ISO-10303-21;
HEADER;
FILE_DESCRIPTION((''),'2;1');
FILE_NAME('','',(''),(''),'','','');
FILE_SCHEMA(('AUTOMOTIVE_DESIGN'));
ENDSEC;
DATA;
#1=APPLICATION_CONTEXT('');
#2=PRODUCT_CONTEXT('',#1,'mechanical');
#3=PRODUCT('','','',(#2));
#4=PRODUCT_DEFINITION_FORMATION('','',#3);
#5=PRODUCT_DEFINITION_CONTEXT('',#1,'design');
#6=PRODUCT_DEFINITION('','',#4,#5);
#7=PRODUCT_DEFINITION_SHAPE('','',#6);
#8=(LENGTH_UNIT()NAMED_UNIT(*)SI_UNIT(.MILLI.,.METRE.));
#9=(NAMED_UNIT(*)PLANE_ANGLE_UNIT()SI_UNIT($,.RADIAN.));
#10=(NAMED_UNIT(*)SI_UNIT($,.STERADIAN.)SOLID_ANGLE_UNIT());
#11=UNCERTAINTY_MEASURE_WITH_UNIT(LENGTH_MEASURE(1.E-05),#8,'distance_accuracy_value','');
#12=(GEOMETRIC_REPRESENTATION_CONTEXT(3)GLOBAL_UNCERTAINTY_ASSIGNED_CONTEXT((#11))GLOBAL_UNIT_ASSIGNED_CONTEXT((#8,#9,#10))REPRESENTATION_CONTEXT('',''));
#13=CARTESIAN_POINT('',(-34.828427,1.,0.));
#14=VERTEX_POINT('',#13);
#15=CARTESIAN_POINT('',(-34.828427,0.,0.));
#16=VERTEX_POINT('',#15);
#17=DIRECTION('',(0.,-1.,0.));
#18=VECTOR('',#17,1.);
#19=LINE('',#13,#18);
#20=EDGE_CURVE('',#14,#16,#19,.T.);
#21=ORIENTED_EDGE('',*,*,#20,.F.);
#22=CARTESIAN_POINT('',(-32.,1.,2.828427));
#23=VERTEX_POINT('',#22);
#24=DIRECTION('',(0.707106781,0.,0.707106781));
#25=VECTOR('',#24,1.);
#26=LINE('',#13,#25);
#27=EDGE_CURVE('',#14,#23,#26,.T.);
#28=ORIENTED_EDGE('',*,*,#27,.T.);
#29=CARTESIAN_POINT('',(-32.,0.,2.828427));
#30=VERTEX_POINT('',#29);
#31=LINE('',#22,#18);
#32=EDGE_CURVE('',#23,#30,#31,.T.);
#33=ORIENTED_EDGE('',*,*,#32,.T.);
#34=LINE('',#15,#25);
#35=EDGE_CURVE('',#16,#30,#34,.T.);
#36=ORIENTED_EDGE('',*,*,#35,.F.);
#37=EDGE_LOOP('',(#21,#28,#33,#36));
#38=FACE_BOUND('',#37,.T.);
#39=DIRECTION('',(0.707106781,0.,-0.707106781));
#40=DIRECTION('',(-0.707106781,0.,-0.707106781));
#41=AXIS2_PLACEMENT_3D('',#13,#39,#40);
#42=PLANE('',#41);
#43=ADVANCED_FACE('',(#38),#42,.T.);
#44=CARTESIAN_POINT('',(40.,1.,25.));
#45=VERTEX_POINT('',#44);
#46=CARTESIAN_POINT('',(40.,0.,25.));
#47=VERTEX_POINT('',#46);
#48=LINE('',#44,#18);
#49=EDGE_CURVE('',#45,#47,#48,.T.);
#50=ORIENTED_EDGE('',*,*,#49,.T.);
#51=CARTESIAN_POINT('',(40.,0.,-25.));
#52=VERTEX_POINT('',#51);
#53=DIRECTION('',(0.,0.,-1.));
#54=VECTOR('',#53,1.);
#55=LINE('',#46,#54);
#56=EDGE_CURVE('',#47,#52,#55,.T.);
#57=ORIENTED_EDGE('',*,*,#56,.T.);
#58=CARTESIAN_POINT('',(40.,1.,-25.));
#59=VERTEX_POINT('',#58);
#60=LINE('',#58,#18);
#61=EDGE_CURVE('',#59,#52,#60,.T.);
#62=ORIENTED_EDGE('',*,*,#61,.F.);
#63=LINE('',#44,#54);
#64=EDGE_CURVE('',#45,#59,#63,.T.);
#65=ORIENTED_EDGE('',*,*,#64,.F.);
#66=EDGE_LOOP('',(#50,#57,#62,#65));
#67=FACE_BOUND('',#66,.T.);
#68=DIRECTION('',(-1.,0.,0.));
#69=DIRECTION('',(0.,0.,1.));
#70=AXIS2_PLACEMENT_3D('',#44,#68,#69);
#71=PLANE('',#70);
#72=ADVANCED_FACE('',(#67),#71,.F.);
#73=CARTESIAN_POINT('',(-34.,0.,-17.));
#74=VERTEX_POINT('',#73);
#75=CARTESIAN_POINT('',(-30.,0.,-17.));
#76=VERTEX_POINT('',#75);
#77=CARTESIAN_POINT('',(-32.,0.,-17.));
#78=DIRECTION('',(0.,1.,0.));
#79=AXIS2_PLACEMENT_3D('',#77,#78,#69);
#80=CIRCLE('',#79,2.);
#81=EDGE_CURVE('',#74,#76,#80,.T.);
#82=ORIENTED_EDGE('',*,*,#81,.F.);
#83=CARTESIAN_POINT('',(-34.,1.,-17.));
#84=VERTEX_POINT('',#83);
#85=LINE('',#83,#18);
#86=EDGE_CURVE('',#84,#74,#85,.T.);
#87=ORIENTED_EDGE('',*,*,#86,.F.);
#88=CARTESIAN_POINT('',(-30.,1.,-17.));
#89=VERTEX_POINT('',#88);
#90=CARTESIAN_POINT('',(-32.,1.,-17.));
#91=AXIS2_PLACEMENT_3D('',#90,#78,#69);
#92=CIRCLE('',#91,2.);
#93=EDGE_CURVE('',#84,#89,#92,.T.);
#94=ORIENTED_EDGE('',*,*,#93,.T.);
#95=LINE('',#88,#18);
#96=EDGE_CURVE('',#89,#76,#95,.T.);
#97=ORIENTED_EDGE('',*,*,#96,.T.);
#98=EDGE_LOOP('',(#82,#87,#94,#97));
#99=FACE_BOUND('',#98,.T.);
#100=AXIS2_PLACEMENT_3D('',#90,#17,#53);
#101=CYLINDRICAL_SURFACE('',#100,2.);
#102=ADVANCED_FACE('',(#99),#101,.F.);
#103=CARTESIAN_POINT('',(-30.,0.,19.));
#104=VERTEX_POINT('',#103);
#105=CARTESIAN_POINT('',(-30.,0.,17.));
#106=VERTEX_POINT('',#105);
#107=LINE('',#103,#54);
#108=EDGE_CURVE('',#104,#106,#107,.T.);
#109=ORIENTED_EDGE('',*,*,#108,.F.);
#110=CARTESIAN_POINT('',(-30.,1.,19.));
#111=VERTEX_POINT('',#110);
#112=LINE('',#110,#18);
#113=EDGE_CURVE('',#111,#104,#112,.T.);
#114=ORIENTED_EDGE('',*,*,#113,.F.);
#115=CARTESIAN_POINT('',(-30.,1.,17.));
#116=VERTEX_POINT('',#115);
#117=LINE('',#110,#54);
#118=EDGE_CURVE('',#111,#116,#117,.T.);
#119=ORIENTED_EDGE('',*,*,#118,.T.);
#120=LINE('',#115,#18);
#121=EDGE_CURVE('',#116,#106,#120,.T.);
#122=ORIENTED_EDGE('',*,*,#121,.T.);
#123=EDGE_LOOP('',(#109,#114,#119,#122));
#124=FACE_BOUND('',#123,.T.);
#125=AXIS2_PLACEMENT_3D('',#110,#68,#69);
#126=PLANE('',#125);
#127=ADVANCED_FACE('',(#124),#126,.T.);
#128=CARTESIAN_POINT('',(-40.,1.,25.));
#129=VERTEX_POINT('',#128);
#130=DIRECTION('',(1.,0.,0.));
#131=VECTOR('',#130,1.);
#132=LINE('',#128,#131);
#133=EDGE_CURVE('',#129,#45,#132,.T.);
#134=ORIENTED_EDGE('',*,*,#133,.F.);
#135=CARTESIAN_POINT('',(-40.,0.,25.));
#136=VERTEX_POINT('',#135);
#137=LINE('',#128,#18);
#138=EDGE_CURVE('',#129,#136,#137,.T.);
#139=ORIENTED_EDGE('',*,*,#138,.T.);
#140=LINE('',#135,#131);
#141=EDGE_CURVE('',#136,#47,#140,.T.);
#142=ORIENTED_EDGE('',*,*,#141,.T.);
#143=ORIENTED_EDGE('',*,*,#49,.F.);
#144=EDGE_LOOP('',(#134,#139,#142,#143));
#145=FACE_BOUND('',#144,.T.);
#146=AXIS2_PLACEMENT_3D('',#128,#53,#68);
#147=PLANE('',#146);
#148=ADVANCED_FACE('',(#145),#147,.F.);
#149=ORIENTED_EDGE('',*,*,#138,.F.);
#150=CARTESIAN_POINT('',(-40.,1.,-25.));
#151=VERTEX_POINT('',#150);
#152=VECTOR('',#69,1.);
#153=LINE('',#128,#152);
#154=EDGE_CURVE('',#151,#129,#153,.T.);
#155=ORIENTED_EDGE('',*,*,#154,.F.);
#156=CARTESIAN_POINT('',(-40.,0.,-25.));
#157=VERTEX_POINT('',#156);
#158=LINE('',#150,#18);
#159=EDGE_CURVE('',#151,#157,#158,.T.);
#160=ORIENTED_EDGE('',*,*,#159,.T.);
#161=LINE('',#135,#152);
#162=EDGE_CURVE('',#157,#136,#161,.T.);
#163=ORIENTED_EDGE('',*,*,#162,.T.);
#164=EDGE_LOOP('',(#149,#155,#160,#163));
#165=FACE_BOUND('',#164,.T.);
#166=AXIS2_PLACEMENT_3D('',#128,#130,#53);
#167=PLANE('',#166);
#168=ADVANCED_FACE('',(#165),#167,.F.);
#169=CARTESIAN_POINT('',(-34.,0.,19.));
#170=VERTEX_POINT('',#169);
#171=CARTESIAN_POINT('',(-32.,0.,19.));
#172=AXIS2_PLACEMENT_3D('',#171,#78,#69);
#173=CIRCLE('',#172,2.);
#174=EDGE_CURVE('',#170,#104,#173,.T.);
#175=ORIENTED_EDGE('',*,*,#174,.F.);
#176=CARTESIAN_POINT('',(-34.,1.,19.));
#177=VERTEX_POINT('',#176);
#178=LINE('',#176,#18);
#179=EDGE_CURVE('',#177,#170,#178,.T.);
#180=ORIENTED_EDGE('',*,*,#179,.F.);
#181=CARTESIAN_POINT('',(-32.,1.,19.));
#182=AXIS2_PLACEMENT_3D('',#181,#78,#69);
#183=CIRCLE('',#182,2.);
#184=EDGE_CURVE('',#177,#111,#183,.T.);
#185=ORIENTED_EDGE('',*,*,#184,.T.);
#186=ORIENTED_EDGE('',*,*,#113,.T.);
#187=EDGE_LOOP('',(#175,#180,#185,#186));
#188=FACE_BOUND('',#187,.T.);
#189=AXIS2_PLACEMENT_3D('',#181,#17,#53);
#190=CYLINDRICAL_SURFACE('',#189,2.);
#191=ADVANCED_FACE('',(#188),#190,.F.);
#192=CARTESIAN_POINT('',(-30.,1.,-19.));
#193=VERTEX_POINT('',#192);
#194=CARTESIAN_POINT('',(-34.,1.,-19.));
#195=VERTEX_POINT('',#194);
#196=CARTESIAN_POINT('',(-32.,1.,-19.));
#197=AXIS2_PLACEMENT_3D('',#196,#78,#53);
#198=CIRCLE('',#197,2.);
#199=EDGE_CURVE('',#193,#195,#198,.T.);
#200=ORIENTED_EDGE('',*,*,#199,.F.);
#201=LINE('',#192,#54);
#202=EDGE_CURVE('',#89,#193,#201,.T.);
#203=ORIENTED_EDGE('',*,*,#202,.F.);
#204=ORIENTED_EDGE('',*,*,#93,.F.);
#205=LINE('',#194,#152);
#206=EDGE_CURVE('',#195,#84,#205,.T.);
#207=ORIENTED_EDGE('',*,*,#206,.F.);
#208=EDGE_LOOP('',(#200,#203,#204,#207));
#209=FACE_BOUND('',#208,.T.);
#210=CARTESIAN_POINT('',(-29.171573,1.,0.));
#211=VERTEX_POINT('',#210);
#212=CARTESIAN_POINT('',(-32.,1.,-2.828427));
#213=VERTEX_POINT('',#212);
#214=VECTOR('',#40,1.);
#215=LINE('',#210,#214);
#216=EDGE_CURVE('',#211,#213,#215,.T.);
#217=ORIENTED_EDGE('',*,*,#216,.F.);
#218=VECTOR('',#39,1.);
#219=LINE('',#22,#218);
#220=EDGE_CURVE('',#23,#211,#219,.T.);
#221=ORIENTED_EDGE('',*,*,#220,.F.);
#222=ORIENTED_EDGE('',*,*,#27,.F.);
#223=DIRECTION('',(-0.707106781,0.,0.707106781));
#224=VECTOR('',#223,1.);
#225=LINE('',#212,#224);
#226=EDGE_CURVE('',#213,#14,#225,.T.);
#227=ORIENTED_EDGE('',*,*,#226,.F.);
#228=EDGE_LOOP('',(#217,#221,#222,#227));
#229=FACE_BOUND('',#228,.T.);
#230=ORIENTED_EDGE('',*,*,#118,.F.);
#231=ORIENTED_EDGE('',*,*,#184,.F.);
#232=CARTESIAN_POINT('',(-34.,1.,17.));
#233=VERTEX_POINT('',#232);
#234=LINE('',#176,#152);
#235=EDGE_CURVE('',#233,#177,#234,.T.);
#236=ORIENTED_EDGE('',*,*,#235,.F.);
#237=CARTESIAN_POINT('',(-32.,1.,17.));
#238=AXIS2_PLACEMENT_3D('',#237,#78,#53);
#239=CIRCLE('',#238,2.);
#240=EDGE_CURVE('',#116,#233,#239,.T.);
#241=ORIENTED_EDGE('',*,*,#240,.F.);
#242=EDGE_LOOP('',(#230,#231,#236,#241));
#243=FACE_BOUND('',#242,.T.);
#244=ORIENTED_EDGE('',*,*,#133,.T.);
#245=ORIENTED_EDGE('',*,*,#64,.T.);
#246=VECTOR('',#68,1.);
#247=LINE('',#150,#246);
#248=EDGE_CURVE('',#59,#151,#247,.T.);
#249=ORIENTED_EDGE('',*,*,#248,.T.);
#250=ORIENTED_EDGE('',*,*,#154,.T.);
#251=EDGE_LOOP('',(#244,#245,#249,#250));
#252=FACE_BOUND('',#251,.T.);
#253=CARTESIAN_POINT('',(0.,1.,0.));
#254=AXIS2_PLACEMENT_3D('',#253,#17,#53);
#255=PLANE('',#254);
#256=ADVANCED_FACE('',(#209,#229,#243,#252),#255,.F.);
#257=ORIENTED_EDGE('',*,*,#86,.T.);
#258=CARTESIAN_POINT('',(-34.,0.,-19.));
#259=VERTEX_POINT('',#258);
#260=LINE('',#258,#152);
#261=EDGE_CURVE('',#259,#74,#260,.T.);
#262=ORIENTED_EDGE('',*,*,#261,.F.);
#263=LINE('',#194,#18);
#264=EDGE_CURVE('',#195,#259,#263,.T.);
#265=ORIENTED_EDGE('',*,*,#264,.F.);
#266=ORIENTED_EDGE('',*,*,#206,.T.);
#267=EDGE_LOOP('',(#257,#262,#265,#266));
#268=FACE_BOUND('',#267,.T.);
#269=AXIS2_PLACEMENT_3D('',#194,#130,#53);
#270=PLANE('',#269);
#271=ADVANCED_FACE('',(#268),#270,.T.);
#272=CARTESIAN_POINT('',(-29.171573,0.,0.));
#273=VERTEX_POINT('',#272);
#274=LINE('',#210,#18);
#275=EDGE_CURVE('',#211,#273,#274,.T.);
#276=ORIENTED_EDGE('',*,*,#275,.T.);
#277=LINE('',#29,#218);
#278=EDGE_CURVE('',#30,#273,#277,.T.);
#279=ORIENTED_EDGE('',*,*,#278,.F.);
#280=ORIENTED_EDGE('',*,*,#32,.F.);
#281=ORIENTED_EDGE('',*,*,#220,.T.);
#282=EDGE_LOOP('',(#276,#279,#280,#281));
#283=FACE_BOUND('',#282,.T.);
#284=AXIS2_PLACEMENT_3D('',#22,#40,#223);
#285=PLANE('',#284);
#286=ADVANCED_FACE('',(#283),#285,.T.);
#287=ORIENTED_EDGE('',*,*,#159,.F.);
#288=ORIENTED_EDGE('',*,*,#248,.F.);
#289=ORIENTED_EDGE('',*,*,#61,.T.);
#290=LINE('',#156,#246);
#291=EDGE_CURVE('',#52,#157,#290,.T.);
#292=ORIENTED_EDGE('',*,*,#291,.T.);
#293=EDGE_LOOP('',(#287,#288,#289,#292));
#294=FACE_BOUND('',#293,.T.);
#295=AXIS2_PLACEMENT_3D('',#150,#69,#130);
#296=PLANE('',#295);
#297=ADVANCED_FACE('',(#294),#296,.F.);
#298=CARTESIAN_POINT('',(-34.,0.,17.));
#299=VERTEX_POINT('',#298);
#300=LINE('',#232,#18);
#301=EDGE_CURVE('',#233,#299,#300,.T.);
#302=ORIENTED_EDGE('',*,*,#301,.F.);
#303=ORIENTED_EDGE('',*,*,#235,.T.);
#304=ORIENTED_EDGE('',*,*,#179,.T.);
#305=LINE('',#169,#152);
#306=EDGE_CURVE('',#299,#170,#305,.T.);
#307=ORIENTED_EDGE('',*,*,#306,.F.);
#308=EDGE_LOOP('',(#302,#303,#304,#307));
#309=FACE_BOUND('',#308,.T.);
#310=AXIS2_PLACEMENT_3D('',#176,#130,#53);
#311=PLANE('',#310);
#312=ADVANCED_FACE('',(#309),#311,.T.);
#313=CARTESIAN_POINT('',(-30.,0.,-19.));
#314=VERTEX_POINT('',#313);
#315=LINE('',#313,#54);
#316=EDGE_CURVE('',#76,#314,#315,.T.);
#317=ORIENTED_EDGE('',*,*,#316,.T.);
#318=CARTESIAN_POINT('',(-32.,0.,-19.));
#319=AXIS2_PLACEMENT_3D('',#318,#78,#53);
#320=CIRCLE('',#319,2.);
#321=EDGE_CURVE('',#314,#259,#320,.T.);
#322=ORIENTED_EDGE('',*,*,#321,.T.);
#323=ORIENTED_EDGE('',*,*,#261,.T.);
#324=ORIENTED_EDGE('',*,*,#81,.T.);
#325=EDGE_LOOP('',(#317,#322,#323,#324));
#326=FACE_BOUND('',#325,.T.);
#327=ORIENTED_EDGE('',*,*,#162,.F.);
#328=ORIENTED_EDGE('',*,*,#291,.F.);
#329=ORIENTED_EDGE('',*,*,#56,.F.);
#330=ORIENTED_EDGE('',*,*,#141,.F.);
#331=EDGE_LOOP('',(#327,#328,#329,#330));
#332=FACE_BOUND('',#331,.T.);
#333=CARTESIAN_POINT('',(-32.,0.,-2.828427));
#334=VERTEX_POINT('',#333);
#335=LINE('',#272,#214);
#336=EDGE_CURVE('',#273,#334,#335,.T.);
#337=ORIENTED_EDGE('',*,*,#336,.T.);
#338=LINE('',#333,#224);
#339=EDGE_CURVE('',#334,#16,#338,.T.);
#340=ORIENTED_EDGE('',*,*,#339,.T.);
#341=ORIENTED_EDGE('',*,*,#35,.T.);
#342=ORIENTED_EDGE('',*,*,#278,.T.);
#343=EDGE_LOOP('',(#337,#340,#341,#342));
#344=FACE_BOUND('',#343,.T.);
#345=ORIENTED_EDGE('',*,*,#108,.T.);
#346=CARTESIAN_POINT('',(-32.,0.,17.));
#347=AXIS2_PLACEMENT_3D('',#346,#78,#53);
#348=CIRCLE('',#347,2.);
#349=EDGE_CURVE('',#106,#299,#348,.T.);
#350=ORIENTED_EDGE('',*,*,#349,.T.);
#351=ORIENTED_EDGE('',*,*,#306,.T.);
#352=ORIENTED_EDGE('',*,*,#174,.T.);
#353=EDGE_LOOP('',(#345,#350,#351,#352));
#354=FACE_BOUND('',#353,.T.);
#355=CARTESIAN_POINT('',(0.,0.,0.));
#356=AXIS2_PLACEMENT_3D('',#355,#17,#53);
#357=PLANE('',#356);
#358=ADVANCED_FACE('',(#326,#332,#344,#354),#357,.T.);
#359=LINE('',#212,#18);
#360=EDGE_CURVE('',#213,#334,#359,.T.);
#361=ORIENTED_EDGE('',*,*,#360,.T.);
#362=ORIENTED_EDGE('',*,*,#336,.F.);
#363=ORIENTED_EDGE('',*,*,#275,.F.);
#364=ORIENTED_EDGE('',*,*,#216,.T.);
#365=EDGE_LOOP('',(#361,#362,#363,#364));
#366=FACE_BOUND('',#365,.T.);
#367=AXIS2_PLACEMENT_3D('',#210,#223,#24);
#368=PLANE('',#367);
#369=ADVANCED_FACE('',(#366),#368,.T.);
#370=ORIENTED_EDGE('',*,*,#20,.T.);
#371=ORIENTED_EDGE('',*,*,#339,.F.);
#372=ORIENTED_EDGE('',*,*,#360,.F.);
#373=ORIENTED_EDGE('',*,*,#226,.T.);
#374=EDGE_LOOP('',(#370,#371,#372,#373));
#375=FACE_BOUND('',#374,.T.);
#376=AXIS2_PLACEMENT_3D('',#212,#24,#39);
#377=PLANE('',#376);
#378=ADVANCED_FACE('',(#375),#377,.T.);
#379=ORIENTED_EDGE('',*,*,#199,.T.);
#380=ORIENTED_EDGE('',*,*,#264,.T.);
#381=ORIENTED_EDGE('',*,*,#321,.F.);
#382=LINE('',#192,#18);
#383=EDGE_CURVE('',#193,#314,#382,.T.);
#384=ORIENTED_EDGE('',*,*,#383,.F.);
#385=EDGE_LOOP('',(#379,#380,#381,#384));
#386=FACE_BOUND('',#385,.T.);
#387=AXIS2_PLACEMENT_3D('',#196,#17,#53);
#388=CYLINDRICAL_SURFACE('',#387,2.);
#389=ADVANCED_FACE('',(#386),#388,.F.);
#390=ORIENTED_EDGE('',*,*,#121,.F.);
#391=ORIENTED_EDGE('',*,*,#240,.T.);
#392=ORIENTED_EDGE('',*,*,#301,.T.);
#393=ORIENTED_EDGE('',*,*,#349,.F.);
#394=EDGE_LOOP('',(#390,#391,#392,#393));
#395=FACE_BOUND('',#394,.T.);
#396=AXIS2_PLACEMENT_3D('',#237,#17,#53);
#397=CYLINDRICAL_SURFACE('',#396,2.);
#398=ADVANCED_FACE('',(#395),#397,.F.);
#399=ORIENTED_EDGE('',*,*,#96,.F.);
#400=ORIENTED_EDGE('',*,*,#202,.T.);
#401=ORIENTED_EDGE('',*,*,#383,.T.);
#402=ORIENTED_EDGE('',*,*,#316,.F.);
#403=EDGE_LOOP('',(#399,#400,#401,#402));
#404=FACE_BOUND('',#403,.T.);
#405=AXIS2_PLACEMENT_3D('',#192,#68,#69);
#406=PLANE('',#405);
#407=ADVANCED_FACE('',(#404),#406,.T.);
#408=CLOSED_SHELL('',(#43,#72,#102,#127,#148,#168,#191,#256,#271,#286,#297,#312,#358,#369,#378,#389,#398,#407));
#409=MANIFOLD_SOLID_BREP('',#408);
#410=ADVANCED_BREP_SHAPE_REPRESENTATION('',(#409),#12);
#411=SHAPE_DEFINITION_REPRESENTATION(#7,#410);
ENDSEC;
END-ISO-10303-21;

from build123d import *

# Parameters (mm, degrees)
SKETCH_1_W      = 80
SKETCH_1_H      = 50
EXTRUDE_2_DEPTH = 1


with BuildPart() as part:
    # Эскиз1 → Бобышка-Вытянуть2 (new body)
    with BuildSketch(Plane(origin=(0, 0, 0), x_dir=(1, 0, 0), z_dir=(0, 1, 0))):
        Rectangle(SKETCH_1_W, SKETCH_1_H)
        Polygon((-34.828427125, 0), (-32, -2.828427125), (-29.171572875, 0), (-32, 2.828427125), align=None, mode=Mode.SUBTRACT)
        with BuildLine():
            Line((-30, -19), (-30, -17))
            ThreePointArc((-30, -17), (-32, -15), (-34, -17))
            Line((-34, -17), (-34, -19))
            ThreePointArc((-34, -19), (-32, -21), (-30, -19))
        make_face(mode=Mode.SUBTRACT)
        with BuildLine():
            Line((-34, 19), (-34, 17))
            ThreePointArc((-34, 17), (-32, 15), (-30, 17))
            Line((-30, 17), (-30, 19))
            ThreePointArc((-30, 19), (-32, 21), (-34, 19))
        make_face(mode=Mode.SUBTRACT)
    extrude(amount=EXTRUDE_2_DEPTH)


solid = part.part
